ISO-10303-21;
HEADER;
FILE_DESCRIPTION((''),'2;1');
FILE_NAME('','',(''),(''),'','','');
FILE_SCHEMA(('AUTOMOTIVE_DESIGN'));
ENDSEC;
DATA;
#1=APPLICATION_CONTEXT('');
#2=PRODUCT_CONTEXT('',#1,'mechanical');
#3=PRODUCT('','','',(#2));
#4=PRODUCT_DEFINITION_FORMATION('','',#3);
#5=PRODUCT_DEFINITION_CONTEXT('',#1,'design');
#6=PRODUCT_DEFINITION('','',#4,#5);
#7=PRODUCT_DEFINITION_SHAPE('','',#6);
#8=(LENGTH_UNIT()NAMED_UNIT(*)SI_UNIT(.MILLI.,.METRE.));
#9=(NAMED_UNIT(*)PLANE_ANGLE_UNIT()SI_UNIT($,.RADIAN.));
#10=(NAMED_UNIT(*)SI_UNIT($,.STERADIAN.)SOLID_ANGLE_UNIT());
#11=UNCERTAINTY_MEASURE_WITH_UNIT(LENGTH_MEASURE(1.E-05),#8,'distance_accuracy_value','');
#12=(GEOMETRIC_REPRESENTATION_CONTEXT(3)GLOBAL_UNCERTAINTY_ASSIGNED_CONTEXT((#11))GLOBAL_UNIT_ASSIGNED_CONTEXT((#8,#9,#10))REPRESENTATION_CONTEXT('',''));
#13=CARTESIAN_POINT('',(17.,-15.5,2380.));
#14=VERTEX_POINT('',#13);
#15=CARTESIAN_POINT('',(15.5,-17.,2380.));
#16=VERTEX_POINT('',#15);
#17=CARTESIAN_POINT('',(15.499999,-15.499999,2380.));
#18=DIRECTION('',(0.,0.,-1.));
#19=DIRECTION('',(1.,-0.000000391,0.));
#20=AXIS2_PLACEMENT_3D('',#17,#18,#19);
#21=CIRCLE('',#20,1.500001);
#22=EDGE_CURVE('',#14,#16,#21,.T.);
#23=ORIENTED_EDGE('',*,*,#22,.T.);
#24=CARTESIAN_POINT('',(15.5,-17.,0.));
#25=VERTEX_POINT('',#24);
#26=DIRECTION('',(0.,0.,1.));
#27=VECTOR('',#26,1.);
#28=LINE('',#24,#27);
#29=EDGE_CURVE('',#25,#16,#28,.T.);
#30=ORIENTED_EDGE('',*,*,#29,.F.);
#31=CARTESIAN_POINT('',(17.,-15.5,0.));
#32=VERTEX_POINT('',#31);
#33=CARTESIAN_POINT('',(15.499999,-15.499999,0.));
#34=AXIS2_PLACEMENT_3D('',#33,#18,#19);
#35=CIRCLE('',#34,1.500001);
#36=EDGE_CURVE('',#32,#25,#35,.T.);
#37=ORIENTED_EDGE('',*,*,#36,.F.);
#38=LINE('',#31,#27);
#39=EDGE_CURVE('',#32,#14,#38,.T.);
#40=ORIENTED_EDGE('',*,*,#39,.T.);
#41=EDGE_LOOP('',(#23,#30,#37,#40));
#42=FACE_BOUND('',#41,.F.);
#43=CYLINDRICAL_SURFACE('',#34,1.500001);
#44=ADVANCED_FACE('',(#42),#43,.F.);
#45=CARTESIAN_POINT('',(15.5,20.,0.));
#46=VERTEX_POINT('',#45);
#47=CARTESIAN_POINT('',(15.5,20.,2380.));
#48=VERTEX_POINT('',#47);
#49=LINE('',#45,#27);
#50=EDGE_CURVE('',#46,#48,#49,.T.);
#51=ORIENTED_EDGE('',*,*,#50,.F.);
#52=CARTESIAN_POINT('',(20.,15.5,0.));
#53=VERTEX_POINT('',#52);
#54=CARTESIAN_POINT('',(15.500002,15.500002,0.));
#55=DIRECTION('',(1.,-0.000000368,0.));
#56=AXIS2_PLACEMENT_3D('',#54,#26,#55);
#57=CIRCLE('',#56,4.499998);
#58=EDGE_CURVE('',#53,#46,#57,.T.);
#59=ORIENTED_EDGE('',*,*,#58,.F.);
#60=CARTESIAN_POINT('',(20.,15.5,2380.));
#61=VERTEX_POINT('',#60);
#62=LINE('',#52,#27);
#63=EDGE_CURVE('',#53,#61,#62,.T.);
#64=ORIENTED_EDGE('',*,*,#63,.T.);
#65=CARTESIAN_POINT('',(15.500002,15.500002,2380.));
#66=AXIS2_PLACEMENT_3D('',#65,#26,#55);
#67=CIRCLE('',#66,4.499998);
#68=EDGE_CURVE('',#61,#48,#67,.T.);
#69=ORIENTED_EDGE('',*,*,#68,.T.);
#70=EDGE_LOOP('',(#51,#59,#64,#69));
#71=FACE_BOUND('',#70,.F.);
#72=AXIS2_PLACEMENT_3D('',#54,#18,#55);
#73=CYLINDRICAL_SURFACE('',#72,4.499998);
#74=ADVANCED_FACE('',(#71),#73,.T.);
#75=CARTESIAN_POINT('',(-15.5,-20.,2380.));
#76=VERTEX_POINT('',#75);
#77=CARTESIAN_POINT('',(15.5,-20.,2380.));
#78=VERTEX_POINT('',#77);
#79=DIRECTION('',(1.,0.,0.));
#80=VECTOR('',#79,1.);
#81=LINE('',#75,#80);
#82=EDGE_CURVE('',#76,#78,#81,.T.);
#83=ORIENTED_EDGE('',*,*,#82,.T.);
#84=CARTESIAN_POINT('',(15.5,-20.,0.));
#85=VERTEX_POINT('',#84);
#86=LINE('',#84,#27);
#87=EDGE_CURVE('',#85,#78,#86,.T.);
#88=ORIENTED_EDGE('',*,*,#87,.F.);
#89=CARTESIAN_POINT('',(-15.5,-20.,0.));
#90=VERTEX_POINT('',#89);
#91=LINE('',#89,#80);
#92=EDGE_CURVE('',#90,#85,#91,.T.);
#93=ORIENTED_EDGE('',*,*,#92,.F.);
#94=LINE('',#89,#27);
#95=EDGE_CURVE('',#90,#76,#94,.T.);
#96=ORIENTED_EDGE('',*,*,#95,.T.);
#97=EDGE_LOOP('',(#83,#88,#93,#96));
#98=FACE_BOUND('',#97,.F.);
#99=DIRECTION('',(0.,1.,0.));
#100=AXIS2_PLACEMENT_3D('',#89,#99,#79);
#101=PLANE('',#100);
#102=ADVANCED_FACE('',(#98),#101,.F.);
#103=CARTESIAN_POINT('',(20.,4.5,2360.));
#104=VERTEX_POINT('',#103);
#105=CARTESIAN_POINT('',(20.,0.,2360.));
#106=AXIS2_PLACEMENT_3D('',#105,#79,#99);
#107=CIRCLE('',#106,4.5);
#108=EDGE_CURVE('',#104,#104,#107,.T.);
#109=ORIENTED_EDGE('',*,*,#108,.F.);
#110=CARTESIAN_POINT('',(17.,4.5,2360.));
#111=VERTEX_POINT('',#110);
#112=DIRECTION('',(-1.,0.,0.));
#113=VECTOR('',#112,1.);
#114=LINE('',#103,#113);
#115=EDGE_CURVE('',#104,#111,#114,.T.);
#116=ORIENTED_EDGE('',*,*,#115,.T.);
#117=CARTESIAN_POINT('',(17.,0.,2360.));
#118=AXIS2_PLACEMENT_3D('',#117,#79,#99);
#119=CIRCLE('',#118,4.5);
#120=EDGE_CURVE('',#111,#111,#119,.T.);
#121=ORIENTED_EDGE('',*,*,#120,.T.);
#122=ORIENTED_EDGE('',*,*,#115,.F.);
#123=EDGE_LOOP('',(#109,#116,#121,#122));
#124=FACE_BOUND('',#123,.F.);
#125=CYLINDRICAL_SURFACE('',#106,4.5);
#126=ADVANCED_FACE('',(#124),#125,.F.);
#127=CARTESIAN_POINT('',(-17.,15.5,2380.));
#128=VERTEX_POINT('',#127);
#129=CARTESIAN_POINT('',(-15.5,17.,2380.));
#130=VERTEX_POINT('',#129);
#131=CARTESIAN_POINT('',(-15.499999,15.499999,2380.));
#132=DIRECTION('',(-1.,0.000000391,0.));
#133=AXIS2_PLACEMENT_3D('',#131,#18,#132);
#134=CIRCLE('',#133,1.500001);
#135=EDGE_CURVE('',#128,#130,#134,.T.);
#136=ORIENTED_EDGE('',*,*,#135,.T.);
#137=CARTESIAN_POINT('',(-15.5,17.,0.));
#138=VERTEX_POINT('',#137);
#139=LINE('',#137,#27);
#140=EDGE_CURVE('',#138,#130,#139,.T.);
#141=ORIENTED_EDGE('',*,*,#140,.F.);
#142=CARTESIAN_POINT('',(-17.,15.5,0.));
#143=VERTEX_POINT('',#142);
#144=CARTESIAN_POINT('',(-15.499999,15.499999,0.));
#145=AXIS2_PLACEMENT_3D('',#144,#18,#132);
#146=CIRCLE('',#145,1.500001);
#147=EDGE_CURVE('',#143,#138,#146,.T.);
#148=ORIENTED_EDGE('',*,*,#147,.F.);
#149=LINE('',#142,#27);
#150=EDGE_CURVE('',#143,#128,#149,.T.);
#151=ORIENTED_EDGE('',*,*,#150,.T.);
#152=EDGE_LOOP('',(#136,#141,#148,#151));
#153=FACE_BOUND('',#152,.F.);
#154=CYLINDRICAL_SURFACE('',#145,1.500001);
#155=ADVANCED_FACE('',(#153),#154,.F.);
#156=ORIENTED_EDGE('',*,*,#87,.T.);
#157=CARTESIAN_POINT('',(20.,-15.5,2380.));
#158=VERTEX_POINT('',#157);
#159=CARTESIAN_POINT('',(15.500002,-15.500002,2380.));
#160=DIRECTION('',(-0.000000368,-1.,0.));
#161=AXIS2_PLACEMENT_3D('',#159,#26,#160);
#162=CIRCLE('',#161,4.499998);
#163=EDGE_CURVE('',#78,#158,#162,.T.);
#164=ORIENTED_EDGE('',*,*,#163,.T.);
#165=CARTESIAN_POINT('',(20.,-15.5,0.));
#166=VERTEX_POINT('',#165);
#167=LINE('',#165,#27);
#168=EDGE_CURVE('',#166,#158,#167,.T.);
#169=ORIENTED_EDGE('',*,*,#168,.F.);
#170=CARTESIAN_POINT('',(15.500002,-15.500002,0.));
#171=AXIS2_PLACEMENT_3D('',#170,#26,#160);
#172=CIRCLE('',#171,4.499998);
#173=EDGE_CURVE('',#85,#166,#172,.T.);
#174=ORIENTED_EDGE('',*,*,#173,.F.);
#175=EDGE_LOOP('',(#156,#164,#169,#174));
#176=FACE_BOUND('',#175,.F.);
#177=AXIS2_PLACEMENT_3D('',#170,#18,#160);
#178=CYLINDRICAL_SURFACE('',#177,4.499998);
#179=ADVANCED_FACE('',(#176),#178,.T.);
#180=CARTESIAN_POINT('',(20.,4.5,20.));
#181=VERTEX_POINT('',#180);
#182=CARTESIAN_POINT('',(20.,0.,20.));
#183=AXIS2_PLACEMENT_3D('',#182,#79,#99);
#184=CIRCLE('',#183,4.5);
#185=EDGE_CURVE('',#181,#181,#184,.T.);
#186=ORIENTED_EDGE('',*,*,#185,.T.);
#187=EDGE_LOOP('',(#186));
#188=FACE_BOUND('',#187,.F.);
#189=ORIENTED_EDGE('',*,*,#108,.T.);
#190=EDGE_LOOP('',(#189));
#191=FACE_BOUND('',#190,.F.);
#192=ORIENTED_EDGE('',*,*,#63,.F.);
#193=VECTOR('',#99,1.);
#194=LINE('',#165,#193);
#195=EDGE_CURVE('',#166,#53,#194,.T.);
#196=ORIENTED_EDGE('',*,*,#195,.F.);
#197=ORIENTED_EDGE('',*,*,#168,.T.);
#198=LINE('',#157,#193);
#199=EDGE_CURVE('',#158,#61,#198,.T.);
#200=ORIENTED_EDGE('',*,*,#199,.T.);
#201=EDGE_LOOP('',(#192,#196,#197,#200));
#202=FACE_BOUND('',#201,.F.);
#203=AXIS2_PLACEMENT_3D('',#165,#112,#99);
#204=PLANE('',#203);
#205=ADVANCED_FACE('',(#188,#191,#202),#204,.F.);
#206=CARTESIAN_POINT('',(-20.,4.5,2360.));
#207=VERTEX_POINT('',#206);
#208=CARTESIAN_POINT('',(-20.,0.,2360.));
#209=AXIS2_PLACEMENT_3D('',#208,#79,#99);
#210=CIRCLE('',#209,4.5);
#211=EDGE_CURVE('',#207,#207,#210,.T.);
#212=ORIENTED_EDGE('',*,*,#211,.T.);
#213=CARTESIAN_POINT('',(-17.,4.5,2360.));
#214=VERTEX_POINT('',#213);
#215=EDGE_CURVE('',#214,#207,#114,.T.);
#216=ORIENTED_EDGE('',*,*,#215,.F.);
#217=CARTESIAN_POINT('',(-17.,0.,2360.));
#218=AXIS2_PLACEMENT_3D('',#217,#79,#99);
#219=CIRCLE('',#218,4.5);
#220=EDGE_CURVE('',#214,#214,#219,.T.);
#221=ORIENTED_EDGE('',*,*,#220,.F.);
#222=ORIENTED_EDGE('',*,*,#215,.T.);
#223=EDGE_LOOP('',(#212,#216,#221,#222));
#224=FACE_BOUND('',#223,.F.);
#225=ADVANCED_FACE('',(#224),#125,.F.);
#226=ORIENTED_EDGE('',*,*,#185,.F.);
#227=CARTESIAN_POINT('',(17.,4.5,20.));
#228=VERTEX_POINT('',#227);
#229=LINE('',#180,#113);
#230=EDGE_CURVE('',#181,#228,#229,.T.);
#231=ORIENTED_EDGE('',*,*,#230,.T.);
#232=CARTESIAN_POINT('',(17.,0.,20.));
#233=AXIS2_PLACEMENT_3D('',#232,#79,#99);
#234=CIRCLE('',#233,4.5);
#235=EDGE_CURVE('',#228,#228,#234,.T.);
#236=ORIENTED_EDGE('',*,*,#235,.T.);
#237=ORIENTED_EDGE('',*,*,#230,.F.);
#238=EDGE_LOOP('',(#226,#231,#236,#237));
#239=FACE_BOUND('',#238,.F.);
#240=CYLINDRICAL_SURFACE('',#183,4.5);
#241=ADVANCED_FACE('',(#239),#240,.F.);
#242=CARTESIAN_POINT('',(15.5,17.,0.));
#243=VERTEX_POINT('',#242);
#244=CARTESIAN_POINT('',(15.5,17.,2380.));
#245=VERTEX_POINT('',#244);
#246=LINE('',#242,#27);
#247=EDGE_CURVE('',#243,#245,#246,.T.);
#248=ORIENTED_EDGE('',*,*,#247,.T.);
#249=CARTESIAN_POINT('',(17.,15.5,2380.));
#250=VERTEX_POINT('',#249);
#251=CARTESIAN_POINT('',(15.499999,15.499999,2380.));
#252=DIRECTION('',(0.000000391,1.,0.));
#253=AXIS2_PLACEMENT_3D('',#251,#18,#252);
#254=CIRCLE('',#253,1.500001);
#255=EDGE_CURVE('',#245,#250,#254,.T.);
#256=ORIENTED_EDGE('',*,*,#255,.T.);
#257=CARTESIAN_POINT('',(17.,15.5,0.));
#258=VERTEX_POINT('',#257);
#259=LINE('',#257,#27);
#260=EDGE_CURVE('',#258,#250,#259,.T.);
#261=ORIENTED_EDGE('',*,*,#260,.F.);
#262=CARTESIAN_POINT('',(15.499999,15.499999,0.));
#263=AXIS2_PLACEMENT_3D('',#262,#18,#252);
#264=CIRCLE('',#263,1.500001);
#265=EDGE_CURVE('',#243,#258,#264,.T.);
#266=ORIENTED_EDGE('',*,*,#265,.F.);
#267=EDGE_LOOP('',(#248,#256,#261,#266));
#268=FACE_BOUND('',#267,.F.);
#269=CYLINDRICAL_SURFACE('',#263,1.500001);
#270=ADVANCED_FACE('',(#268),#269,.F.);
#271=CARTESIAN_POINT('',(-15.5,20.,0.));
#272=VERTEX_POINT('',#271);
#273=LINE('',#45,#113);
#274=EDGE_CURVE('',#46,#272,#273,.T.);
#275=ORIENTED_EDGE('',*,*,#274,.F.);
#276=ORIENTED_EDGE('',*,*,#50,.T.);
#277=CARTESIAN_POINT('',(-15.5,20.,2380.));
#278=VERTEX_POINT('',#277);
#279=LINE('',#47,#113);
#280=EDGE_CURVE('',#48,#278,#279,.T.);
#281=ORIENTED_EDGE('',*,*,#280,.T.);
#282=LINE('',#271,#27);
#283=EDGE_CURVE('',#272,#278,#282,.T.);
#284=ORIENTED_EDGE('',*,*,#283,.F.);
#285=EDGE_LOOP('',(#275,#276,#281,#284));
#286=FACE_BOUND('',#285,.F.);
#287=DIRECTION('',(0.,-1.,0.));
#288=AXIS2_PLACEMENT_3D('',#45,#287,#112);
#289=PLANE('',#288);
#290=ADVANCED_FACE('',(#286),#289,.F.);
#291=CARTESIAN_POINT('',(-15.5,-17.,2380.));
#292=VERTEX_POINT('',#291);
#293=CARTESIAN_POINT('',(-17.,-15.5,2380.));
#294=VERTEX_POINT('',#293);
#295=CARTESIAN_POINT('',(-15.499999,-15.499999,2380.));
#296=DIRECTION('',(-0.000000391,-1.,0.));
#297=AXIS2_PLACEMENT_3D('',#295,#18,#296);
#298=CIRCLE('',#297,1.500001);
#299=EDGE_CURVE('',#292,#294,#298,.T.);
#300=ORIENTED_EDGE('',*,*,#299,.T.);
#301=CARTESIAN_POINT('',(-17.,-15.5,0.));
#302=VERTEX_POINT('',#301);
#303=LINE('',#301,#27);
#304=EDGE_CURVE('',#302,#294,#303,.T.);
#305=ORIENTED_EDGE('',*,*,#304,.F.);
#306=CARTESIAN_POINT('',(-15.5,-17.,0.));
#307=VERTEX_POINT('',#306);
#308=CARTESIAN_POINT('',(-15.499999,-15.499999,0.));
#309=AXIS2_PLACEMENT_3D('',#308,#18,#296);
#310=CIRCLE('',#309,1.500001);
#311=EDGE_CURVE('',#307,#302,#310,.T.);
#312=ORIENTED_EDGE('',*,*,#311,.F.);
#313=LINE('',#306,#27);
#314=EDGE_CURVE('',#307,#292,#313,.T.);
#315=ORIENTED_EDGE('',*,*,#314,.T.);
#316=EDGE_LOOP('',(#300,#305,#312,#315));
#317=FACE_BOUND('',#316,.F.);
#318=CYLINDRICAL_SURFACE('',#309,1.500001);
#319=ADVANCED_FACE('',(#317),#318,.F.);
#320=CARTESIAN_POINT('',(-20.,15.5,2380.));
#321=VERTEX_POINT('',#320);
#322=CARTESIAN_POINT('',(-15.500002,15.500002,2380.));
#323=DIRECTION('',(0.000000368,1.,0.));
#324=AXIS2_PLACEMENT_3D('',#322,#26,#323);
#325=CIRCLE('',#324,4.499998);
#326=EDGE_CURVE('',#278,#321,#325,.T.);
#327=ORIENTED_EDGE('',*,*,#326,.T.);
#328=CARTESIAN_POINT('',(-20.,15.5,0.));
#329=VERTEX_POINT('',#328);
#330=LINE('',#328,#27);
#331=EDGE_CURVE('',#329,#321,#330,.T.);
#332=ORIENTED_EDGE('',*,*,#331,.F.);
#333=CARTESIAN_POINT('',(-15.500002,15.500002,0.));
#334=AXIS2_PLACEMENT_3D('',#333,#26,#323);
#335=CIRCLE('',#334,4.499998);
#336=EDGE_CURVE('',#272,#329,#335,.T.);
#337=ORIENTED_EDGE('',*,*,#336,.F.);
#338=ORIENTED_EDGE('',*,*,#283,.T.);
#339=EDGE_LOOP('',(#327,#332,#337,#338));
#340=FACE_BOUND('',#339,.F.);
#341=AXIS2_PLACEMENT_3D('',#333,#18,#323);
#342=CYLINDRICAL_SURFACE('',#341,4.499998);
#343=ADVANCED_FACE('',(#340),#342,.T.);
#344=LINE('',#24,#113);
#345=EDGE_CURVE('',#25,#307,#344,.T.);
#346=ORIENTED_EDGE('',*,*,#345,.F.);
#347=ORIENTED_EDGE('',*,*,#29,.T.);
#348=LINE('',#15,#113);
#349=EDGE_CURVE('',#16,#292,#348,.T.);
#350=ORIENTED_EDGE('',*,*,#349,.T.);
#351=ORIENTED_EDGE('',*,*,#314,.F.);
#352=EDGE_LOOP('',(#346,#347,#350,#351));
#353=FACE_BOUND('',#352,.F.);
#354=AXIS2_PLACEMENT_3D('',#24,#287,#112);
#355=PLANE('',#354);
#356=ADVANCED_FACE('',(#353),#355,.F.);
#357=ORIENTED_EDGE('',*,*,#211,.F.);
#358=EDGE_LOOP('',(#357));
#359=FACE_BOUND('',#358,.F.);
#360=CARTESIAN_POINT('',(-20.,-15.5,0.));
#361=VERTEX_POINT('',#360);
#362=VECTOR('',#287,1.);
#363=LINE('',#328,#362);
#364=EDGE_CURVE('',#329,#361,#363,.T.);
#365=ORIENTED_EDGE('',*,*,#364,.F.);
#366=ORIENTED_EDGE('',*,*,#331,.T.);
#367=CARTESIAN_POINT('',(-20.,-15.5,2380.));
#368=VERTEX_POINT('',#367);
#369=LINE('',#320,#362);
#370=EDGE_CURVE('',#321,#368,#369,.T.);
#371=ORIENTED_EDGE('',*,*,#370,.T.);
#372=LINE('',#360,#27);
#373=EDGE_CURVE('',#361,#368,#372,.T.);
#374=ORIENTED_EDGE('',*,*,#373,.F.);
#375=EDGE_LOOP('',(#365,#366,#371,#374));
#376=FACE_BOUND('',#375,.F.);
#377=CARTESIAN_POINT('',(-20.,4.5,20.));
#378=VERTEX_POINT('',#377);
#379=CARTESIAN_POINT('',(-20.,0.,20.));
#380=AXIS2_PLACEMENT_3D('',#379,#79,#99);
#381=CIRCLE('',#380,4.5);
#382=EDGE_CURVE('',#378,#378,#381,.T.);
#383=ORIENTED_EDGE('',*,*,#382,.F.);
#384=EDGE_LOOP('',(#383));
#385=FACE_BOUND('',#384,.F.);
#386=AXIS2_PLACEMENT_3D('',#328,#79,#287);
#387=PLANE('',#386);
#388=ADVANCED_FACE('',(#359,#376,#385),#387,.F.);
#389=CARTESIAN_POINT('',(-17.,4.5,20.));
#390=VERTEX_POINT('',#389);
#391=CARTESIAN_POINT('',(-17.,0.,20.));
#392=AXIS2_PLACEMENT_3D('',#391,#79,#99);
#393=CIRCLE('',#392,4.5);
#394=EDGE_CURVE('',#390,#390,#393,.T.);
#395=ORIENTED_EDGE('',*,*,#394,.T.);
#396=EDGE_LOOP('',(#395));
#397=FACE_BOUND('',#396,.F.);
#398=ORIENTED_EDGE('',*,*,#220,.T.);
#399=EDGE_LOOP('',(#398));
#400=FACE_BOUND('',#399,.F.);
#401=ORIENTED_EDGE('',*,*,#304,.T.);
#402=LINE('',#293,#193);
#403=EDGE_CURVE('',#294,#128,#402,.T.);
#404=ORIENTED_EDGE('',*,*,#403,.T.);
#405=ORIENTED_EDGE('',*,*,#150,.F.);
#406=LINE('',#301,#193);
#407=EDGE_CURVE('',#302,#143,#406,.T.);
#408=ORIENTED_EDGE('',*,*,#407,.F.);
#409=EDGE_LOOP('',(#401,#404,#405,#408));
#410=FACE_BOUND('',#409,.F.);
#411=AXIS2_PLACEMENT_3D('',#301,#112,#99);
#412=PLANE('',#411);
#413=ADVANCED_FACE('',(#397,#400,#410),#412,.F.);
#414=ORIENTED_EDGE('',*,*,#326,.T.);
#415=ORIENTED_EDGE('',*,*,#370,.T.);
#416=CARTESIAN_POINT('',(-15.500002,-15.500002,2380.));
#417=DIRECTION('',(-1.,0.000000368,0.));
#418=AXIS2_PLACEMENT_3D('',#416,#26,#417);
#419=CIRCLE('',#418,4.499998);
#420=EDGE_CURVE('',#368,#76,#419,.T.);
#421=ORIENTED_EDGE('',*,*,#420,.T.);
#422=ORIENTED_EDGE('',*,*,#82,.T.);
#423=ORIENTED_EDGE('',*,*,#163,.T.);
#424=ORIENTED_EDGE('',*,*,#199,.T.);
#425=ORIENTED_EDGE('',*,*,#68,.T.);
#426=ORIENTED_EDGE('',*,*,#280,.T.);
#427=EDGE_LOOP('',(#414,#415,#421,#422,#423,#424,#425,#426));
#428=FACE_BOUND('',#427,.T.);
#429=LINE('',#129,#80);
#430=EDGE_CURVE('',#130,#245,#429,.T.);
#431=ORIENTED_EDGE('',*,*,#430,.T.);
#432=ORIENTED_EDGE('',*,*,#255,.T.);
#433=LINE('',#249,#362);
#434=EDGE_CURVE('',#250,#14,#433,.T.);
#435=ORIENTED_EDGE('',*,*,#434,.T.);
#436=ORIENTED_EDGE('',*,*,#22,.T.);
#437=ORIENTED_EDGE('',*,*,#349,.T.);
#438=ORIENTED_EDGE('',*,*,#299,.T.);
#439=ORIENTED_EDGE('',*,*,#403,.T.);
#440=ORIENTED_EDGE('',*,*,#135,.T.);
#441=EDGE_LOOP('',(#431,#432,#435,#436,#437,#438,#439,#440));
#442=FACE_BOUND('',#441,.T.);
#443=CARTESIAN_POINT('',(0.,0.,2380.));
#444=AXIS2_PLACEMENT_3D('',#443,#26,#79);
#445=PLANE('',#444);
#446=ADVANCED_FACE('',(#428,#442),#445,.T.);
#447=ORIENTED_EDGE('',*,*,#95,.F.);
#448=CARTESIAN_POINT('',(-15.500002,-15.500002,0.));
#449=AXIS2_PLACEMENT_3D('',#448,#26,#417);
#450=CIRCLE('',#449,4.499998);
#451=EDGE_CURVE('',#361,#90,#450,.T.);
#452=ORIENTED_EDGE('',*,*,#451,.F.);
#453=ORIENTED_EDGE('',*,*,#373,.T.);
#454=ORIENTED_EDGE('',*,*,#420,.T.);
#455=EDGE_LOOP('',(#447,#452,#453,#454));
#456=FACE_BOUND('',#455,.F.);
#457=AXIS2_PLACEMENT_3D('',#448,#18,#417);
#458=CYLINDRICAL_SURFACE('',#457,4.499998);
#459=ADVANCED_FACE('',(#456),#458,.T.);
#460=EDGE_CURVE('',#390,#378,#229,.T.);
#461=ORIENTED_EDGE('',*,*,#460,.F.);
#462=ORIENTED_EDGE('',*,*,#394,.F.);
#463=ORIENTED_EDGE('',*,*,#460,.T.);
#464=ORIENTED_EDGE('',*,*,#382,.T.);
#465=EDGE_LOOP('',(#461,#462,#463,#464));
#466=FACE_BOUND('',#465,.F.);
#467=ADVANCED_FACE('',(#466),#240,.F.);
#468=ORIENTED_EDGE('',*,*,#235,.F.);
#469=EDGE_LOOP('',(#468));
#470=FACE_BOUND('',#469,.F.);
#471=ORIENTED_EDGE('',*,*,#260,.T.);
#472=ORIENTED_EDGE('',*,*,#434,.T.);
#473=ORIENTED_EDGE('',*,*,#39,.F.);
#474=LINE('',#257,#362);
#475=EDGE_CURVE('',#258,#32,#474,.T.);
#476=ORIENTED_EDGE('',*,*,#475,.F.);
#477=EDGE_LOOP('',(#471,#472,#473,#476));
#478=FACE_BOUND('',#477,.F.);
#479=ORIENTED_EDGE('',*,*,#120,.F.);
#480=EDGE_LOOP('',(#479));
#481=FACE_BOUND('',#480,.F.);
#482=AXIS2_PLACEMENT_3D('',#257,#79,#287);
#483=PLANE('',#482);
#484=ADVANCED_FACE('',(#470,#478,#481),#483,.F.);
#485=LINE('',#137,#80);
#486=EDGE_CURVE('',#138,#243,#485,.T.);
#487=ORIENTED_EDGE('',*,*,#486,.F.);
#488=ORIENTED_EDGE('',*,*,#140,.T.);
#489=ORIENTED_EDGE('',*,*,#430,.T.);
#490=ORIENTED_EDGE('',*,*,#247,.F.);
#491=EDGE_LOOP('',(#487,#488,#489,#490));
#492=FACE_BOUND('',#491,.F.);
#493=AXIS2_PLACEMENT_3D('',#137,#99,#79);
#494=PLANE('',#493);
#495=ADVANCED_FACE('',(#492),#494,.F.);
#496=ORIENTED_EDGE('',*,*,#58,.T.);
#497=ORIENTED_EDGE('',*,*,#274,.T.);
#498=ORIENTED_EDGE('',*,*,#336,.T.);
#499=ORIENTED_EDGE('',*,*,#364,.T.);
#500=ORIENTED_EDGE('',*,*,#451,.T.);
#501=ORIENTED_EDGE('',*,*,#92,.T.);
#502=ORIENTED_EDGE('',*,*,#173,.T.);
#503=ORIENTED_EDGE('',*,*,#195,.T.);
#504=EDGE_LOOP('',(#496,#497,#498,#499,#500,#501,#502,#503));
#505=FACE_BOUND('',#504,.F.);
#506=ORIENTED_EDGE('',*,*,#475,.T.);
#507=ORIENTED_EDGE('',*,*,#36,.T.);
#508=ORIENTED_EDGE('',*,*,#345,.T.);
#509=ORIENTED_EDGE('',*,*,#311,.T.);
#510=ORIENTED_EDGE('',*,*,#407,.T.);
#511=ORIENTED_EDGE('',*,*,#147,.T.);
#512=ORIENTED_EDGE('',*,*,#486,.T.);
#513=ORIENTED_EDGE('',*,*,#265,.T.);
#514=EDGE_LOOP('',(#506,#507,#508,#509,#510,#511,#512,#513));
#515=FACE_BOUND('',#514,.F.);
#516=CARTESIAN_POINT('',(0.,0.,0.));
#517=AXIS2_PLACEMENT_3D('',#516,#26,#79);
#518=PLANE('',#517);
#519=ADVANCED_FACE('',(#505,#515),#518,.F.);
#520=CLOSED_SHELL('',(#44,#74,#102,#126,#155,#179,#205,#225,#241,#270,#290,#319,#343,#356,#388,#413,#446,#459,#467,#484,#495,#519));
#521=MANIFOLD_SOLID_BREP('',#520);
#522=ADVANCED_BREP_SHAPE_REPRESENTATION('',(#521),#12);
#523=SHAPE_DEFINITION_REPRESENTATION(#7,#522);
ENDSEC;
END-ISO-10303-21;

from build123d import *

# Parameters (mm, degrees)
F1_DEPTH = 2380
F2_R     = 4.5
F3_DEPTH = 40.001


with BuildPart() as f1:
    # F0 (on Top) → F1 (new body)
    with BuildSketch(Plane.XY):
        with BuildLine():
            Line((-15.5, -20), (15.5, -20))
            ThreePointArc((15.5, -20), (18.681981, -18.681981), (20, -15.5))
            Line((20, -15.5), (20, 15.5))
            ThreePointArc((20, 15.5), (18.681981, 18.681981), (15.5, 20))
            Line((15.5, 20), (-15.5, 20))
            ThreePointArc((-15.5, 20), (-18.681981, 18.681981), (-20, 15.5))
            Line((-20, 15.5), (-20, -15.5))
            ThreePointArc((-20, -15.5), (-18.681981, -18.681981), (-15.5, -20))
        make_face()
        with BuildLine():
            ThreePointArc((15.5, 17), (16.56066, 16.56066), (17, 15.5))
            Line((17, 15.5), (17, -15.5))
            ThreePointArc((17, -15.5), (16.56066, -16.56066), (15.5, -17))
            Line((15.5, -17), (-15.5, -17))
            ThreePointArc((-15.5, -17), (-16.56066, -16.56066), (-17, -15.5))
            Line((-17, -15.5), (-17, 15.5))
            ThreePointArc((-17, 15.5), (-16.56066, 16.56066), (-15.5, 17))
            Line((-15.5, 17), (15.5, 17))
        make_face(mode=Mode.SUBTRACT)
    extrude(amount=F1_DEPTH)

    # F2 (on face) → F3 (cut, through all)
    with BuildSketch(Plane.YZ.offset(20)):
        with Locations((0, 2360)):
            Circle(F2_R)
        with Locations((0, 20)):
            Circle(F2_R)
    extrude(amount=-F3_DEPTH, mode=Mode.SUBTRACT)


solid = f1.part
